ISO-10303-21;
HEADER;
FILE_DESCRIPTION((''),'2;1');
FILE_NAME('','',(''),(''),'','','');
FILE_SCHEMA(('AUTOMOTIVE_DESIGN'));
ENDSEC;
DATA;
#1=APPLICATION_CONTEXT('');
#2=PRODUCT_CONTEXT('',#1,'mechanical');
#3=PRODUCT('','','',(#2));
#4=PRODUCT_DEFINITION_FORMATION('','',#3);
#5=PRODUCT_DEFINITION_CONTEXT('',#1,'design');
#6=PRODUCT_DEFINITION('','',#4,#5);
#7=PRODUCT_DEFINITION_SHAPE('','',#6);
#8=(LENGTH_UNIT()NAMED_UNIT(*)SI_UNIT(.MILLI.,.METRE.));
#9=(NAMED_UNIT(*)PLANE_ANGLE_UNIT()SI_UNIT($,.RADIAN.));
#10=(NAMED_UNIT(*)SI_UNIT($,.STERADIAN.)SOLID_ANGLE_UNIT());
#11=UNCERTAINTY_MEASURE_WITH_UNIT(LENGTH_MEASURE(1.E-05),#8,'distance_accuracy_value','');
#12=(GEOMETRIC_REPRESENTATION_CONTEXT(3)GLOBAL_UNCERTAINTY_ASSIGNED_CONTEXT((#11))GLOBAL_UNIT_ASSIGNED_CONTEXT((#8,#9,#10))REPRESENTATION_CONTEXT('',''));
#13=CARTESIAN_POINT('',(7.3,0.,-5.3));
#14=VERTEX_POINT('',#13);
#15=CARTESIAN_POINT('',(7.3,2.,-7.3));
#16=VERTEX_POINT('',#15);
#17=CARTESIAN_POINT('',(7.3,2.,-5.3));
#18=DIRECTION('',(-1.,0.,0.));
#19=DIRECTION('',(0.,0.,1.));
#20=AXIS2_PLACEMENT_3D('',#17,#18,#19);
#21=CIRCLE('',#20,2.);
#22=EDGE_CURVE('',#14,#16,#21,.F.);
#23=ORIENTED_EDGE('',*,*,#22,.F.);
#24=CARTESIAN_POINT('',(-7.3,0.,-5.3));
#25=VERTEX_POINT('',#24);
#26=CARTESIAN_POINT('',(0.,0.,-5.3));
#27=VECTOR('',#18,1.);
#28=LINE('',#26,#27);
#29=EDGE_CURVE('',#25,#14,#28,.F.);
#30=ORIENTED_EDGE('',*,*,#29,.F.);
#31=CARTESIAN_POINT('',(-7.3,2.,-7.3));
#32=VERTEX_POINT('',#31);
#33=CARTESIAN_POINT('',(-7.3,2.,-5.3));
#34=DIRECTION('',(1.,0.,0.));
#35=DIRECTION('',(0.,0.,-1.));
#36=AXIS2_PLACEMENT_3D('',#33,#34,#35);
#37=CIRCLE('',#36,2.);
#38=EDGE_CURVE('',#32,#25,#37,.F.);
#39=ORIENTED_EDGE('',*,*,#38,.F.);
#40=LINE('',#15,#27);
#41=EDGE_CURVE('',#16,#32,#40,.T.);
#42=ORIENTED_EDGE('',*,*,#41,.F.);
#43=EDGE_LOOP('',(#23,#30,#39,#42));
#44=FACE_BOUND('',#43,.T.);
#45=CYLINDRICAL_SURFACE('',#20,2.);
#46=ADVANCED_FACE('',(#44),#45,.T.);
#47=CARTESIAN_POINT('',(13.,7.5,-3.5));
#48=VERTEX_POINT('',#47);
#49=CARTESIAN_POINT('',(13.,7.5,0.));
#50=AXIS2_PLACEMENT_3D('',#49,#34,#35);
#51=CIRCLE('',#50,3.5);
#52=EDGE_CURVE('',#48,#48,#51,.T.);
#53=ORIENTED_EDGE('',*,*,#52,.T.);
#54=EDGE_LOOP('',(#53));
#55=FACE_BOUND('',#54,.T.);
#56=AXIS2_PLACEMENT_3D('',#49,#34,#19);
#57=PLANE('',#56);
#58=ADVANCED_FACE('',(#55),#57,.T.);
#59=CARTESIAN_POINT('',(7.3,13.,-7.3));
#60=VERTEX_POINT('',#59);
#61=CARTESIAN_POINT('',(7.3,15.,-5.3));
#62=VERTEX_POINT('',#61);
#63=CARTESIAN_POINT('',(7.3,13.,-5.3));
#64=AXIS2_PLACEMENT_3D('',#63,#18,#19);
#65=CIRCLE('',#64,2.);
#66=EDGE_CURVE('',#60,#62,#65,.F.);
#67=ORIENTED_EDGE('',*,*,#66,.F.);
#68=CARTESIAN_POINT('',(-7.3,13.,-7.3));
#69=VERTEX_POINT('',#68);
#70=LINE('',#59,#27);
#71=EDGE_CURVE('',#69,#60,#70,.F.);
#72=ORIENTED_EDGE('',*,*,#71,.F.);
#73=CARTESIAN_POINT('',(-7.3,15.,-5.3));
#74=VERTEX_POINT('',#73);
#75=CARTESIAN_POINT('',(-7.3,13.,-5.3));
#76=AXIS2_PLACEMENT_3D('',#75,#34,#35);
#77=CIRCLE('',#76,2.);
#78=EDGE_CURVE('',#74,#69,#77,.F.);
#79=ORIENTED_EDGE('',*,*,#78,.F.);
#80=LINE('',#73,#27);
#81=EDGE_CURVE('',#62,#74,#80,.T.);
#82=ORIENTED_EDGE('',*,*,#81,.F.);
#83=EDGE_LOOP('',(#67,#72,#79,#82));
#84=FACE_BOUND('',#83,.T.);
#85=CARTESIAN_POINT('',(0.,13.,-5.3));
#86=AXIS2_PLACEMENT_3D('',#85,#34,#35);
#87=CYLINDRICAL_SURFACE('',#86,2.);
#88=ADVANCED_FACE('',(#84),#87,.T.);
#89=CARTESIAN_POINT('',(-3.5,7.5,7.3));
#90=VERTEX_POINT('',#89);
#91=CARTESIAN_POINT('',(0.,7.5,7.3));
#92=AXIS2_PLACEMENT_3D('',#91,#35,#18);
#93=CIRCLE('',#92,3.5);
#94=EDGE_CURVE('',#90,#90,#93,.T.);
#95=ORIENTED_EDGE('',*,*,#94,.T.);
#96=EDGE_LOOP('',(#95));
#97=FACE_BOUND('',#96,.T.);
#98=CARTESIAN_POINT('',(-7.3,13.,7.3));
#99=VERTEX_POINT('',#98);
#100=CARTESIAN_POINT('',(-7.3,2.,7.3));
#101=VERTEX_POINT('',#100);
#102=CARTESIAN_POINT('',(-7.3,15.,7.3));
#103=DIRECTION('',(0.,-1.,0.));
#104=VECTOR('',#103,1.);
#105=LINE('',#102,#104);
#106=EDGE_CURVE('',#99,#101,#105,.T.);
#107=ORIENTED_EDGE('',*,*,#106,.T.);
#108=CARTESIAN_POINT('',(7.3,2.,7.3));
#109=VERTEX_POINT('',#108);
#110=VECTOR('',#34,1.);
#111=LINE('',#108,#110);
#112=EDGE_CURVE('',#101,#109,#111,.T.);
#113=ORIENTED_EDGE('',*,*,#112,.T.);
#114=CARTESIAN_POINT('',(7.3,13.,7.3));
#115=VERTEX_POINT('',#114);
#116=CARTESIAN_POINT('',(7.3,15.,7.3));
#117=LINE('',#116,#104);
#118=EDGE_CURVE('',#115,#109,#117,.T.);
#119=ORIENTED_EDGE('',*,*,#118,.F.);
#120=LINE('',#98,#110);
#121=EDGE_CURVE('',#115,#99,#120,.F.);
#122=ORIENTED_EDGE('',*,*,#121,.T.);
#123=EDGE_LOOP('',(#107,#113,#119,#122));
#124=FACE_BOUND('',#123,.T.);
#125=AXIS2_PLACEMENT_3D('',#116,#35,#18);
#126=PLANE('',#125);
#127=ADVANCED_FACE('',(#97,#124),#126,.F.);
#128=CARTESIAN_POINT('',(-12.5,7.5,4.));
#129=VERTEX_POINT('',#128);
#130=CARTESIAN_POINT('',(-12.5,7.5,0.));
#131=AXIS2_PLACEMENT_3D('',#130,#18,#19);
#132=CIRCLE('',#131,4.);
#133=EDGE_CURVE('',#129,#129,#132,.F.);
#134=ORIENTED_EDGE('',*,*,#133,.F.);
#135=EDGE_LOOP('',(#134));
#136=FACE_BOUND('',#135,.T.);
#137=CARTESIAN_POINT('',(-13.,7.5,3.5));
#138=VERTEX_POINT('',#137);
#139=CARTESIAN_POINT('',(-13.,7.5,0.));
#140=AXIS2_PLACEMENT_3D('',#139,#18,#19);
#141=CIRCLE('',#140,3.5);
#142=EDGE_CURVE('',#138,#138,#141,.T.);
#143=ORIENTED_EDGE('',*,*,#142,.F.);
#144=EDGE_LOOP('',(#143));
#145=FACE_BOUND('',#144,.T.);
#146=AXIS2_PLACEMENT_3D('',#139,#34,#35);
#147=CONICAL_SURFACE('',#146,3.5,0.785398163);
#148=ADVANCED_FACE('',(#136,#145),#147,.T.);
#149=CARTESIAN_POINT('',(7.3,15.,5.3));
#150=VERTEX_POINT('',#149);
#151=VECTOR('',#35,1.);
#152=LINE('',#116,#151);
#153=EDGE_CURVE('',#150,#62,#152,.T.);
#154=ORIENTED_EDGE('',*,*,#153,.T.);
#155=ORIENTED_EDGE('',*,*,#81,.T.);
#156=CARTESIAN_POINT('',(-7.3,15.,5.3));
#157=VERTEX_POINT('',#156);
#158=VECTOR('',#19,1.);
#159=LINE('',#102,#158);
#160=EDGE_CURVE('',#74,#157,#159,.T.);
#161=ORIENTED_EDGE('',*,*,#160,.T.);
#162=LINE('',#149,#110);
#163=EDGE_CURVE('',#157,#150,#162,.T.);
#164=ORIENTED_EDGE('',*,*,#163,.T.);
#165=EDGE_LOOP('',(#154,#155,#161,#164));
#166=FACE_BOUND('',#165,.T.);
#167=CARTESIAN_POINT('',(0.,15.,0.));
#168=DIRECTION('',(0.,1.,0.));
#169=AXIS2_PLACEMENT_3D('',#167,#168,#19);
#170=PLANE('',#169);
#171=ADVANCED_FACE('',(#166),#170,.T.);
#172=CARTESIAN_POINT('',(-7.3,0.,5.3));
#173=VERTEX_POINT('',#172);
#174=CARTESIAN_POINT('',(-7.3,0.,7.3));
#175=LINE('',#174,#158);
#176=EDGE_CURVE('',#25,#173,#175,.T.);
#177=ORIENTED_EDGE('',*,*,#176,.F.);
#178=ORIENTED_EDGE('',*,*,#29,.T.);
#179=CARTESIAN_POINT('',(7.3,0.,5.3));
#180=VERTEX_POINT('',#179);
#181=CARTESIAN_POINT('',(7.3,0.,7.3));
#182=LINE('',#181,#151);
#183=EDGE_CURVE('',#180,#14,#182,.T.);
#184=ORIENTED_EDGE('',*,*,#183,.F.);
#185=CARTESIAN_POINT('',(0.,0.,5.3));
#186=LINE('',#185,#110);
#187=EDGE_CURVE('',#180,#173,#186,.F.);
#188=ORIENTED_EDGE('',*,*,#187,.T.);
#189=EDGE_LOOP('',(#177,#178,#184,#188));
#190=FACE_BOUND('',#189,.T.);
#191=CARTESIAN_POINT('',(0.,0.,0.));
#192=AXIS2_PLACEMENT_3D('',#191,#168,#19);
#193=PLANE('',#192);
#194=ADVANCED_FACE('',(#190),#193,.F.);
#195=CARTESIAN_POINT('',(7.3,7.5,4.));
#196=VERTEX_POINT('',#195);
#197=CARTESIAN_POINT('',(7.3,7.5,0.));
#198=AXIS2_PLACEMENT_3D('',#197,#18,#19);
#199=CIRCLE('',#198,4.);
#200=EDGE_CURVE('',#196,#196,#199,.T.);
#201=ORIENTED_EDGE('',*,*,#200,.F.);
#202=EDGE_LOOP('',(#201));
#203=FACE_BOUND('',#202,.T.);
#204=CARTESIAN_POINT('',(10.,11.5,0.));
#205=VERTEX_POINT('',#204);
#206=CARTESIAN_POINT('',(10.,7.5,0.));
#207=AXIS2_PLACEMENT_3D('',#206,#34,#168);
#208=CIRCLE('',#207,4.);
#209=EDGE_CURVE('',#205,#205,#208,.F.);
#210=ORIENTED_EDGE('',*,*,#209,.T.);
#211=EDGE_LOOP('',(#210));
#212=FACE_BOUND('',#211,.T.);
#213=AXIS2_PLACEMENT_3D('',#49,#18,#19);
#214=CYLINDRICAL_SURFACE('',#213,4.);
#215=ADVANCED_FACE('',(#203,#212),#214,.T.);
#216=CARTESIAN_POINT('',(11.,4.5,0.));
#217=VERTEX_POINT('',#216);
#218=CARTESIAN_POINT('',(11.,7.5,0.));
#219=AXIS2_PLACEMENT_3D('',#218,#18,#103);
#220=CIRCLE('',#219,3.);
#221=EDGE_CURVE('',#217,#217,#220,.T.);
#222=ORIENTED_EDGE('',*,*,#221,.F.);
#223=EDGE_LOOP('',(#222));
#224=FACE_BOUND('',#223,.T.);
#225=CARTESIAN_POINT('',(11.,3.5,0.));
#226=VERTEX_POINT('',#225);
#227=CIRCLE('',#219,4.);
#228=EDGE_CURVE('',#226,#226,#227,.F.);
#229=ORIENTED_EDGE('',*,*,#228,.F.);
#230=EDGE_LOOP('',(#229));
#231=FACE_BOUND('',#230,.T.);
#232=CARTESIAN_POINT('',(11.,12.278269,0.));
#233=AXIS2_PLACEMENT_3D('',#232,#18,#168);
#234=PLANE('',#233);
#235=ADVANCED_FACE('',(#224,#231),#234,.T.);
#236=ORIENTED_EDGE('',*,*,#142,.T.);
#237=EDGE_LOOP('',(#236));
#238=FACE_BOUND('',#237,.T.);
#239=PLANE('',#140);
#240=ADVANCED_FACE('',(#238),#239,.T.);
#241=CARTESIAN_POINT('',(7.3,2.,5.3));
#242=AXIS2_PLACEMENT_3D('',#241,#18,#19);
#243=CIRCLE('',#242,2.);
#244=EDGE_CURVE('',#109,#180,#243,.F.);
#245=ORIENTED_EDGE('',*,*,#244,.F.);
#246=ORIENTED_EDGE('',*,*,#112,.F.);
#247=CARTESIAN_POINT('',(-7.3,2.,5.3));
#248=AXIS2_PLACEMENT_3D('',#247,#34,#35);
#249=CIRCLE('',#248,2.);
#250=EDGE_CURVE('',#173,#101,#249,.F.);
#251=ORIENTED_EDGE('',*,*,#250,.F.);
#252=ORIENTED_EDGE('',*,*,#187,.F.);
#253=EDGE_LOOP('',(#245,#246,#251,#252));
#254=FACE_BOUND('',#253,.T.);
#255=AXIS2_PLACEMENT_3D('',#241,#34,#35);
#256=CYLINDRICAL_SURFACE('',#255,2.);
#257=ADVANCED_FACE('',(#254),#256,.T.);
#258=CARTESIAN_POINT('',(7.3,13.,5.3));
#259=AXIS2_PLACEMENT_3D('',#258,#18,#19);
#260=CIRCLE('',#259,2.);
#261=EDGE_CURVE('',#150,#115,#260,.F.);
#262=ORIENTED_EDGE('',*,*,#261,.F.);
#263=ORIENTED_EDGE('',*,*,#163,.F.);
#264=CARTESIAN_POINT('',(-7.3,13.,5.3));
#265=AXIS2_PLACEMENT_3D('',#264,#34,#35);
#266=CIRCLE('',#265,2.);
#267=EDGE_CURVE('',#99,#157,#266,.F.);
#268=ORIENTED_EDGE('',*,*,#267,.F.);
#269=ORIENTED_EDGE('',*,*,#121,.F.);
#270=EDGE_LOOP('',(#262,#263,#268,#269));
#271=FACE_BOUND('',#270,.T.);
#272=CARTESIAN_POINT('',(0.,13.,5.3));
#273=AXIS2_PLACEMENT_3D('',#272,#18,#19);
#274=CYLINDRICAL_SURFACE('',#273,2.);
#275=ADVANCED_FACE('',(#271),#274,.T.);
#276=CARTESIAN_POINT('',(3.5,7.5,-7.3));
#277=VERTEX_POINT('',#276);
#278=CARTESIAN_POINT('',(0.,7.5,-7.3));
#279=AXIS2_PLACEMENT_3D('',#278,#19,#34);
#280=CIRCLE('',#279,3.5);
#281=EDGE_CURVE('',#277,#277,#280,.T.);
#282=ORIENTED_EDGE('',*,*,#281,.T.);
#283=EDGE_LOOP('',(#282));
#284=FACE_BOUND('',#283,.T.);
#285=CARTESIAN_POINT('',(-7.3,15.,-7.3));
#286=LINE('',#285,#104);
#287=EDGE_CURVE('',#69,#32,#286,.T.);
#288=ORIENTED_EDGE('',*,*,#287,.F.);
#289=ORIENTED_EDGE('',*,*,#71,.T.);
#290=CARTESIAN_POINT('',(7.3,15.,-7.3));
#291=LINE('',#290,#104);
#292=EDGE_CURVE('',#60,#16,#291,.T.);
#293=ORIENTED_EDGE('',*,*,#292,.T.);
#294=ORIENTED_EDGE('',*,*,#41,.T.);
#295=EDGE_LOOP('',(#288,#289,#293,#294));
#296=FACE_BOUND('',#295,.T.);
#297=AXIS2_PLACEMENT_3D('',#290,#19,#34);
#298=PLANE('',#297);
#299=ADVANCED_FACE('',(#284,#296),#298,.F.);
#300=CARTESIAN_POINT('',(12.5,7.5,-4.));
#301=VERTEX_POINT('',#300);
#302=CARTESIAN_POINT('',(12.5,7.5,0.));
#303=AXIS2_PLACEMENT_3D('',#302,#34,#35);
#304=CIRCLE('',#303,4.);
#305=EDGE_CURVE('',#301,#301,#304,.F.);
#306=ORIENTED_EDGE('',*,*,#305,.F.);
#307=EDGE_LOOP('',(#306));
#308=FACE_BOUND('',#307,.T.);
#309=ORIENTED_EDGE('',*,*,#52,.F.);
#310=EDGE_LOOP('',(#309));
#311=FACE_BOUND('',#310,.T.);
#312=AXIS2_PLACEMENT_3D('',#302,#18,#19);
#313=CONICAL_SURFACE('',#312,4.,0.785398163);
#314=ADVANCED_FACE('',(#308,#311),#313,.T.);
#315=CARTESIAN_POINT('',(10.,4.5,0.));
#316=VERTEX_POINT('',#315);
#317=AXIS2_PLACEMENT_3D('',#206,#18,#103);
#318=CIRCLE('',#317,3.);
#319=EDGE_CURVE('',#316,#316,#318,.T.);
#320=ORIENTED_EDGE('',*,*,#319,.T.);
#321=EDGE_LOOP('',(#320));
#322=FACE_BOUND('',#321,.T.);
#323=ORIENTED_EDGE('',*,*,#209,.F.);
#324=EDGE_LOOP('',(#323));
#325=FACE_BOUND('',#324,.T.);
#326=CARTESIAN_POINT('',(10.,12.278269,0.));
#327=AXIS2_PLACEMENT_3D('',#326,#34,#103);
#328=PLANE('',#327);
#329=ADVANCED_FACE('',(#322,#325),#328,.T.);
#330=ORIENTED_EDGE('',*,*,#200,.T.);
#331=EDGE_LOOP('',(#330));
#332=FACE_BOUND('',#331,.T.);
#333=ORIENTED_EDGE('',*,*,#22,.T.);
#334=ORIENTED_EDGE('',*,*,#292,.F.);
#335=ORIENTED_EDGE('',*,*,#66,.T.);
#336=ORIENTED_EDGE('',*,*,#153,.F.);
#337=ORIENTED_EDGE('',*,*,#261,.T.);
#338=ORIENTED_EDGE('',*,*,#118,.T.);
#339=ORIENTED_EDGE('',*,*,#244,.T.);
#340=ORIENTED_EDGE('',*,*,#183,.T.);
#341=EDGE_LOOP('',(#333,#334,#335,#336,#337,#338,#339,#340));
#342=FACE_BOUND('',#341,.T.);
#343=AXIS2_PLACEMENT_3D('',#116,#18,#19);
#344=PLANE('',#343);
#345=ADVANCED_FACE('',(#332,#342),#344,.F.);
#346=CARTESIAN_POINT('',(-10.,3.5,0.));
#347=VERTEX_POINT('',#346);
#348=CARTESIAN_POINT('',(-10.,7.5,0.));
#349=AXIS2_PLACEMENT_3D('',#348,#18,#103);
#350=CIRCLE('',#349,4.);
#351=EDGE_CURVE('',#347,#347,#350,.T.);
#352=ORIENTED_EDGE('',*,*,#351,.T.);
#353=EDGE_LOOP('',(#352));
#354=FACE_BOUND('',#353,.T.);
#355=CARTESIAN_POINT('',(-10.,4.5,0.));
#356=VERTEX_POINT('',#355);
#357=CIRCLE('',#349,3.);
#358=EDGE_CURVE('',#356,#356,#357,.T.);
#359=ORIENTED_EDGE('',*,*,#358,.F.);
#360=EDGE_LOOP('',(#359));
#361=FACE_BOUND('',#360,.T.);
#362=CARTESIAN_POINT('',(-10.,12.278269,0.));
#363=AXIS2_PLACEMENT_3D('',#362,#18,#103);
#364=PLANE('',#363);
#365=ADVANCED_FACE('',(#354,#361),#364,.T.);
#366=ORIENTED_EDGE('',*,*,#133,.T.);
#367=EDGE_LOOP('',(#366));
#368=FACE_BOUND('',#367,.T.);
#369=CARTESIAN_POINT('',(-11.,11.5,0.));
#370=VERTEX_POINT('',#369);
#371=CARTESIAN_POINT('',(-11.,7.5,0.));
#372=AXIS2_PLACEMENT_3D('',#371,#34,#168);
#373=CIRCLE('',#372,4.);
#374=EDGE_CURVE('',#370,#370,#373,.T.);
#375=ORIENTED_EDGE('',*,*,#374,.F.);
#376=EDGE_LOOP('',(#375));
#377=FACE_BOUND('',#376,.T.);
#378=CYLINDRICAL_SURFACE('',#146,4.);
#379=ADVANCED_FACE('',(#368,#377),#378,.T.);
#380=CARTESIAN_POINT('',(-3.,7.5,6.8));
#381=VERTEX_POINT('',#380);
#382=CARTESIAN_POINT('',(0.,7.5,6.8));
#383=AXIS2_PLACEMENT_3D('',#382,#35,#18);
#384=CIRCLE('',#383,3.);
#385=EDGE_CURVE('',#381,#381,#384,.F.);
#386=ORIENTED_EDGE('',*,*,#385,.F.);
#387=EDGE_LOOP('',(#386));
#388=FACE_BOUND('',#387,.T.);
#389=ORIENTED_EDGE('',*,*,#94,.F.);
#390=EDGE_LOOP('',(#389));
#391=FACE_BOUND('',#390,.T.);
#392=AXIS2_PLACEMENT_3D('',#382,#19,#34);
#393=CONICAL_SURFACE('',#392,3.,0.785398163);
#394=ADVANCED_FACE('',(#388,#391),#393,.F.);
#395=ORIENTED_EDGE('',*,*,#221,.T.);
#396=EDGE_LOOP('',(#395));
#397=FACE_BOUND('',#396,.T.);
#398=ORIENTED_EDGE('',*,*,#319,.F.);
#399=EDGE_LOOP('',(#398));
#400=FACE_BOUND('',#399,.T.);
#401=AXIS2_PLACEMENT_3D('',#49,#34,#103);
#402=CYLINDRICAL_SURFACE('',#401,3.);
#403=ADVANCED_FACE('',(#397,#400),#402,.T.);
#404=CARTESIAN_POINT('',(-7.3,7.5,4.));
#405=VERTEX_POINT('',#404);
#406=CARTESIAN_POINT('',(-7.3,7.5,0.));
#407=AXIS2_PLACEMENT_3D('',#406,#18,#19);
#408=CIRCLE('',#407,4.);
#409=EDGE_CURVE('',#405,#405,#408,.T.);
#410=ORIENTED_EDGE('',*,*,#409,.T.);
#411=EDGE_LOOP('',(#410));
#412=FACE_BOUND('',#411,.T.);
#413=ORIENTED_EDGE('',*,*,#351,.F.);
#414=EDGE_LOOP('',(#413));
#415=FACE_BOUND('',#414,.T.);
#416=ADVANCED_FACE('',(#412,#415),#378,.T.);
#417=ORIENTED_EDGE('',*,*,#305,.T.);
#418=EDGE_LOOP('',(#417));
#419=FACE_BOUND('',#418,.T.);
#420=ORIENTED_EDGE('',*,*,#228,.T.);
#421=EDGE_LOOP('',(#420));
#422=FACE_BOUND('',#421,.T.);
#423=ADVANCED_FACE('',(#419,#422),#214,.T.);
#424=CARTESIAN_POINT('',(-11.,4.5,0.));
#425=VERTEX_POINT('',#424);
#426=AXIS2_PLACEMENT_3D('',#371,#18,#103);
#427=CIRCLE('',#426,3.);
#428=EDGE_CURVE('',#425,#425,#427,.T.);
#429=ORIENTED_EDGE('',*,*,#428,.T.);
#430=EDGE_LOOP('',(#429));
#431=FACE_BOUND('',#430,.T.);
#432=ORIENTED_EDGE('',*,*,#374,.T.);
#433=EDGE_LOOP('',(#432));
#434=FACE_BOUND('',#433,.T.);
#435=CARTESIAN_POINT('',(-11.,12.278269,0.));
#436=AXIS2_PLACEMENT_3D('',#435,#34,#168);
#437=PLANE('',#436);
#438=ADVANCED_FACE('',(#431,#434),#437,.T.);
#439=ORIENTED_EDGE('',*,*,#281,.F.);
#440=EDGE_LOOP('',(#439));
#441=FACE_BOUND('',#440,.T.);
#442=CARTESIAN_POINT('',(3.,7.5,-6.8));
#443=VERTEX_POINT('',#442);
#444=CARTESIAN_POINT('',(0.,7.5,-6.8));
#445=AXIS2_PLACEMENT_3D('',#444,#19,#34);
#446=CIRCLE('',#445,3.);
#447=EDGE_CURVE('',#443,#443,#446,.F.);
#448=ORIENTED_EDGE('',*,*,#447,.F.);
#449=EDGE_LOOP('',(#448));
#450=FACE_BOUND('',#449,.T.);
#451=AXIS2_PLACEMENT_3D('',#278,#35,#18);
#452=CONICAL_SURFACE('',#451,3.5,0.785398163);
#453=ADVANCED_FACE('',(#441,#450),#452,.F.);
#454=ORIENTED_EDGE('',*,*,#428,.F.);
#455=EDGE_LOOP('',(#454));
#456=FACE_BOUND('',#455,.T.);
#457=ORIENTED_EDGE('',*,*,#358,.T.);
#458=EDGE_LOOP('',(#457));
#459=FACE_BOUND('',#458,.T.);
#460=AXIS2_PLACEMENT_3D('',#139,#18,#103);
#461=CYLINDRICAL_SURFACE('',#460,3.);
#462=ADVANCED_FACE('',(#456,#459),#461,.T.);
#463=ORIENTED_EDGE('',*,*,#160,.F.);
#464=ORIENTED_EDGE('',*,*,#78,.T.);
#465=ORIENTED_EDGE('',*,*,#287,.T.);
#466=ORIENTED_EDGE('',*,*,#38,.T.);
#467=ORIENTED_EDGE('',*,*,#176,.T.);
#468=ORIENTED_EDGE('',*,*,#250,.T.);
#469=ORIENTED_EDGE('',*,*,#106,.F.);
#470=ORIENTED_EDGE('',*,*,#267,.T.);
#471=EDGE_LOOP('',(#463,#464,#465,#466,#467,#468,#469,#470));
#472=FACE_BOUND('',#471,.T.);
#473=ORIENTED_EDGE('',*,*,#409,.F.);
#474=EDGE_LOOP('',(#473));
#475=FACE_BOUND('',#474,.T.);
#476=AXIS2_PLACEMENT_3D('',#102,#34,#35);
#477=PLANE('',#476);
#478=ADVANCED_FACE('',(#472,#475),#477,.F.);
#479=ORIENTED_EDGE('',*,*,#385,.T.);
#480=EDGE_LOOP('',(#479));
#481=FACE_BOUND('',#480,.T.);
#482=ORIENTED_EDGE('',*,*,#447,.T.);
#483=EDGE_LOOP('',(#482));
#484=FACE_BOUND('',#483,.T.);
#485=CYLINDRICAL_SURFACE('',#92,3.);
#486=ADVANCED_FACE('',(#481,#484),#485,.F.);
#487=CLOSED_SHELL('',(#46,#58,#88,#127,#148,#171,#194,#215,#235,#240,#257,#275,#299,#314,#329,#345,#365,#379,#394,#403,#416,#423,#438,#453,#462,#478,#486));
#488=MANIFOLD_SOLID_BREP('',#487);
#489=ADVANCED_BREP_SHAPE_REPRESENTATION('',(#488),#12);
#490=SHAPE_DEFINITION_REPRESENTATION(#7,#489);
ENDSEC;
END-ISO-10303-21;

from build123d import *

# Parameters (mm, degrees)
SKETCH1_W                = 14.6
SKETCH1_H                = 14.6
BOSS_EXTRUDE1_DEPTH      = 15
SKETCH2_R                = 3
CUT_EXTRUDE1_DEPTH       = 14.6
CHAMFER1_SIZE            = 0.5
SKETCH3_R                = 4
BOSS_EXTRUDE2_DEPTH      = 5.7
SKETCH4_W                = 1
SKETCH4_H                = 1.778268535
CHAMFER2_SIZE            = 0.5
CHAMFER2_OF_MIRROR1_SIZE = 0.5
FILLET1_R                = 2


with BuildPart() as part:
    # Sketch1 → Boss-Extrude1 (new body)
    with BuildSketch(Plane(origin=(0, 0, 0), x_dir=(1, 0, 0), z_dir=(0, 1, 0))):
        Rectangle(SKETCH1_W, SKETCH1_H)
    extrude(amount=BOSS_EXTRUDE1_DEPTH)

    # Sketch2 → Cut-Extrude1 (cut)
    with BuildSketch(Plane(origin=(0, 7.7, -7.3), x_dir=(1, 0, 0), z_dir=(0, 0, 1))):
        with Locations((0, -0.2)):
            Circle(SKETCH2_R)
    extrude(amount=CUT_EXTRUDE1_DEPTH, mode=Mode.SUBTRACT)

    # Chamfer1
    chamfer1_edges = [part.edges().sort_by_distance(p)[0] for p in [
        (-3, 7.5, -7.3),
        (-3, 7.5, 7.3),
    ]]
    chamfer(chamfer1_edges, length=CHAMFER1_SIZE)

    # Sketch3 → Boss-Extrude2 (add)
    with BuildSketch(Plane.ZY.offset(7.3)):
        with Locations((0, 7.5)):
            Circle(SKETCH3_R)
    boss_extrude2 = extrude(amount=BOSS_EXTRUDE2_DEPTH)

    # Sketch4 → Cut-Revolve1 (revolve, cut)
    with BuildSketch(Plane.XY):
        with Locations((-10.5, 11.389134268)):
            Rectangle(SKETCH4_W, SKETCH4_H)
    cut_revolve1 = revolve(axis=Axis((-13, 7.5, 0), (1, 0, 0)), mode=Mode.SUBTRACT)

    # Chamfer2
    chamfer2_edges = [part.edges().sort_by_distance(p)[0] for p in [
        (-13, 7.5, -4),
    ]]
    chamfer(chamfer2_edges, length=CHAMFER2_SIZE)

    # Mirror1: Boss-Extrude2, Cut-Revolve1 across plane
    add(boss_extrude2.mirror(Plane(origin=(0, 0, 0), x_dir=(0, 0, 1), z_dir=(1, 0, 0))))
    add(cut_revolve1.mirror(Plane(origin=(0, 0, 0), x_dir=(0, 0, 1), z_dir=(1, 0, 0))), mode=Mode.SUBTRACT)

    # Chamfer2 of Mirror1
    chamfer2_of_mirror1_edges = [part.edges().sort_by_distance(p)[0] for p in [
        (13, 7.5, -4),
    ]]
    chamfer(chamfer2_of_mirror1_edges, length=CHAMFER2_OF_MIRROR1_SIZE)

    # Fillet1
    fillet1_edges = [part.edges().sort_by_distance(p)[0] for p in [
        (0, 15, -7.3),
        (0, 0, -7.3),
        (0, 0, 7.3),
        (0, 15, 7.3),
    ]]
    fillet(fillet1_edges, radius=FILLET1_R)


solid = part.part
